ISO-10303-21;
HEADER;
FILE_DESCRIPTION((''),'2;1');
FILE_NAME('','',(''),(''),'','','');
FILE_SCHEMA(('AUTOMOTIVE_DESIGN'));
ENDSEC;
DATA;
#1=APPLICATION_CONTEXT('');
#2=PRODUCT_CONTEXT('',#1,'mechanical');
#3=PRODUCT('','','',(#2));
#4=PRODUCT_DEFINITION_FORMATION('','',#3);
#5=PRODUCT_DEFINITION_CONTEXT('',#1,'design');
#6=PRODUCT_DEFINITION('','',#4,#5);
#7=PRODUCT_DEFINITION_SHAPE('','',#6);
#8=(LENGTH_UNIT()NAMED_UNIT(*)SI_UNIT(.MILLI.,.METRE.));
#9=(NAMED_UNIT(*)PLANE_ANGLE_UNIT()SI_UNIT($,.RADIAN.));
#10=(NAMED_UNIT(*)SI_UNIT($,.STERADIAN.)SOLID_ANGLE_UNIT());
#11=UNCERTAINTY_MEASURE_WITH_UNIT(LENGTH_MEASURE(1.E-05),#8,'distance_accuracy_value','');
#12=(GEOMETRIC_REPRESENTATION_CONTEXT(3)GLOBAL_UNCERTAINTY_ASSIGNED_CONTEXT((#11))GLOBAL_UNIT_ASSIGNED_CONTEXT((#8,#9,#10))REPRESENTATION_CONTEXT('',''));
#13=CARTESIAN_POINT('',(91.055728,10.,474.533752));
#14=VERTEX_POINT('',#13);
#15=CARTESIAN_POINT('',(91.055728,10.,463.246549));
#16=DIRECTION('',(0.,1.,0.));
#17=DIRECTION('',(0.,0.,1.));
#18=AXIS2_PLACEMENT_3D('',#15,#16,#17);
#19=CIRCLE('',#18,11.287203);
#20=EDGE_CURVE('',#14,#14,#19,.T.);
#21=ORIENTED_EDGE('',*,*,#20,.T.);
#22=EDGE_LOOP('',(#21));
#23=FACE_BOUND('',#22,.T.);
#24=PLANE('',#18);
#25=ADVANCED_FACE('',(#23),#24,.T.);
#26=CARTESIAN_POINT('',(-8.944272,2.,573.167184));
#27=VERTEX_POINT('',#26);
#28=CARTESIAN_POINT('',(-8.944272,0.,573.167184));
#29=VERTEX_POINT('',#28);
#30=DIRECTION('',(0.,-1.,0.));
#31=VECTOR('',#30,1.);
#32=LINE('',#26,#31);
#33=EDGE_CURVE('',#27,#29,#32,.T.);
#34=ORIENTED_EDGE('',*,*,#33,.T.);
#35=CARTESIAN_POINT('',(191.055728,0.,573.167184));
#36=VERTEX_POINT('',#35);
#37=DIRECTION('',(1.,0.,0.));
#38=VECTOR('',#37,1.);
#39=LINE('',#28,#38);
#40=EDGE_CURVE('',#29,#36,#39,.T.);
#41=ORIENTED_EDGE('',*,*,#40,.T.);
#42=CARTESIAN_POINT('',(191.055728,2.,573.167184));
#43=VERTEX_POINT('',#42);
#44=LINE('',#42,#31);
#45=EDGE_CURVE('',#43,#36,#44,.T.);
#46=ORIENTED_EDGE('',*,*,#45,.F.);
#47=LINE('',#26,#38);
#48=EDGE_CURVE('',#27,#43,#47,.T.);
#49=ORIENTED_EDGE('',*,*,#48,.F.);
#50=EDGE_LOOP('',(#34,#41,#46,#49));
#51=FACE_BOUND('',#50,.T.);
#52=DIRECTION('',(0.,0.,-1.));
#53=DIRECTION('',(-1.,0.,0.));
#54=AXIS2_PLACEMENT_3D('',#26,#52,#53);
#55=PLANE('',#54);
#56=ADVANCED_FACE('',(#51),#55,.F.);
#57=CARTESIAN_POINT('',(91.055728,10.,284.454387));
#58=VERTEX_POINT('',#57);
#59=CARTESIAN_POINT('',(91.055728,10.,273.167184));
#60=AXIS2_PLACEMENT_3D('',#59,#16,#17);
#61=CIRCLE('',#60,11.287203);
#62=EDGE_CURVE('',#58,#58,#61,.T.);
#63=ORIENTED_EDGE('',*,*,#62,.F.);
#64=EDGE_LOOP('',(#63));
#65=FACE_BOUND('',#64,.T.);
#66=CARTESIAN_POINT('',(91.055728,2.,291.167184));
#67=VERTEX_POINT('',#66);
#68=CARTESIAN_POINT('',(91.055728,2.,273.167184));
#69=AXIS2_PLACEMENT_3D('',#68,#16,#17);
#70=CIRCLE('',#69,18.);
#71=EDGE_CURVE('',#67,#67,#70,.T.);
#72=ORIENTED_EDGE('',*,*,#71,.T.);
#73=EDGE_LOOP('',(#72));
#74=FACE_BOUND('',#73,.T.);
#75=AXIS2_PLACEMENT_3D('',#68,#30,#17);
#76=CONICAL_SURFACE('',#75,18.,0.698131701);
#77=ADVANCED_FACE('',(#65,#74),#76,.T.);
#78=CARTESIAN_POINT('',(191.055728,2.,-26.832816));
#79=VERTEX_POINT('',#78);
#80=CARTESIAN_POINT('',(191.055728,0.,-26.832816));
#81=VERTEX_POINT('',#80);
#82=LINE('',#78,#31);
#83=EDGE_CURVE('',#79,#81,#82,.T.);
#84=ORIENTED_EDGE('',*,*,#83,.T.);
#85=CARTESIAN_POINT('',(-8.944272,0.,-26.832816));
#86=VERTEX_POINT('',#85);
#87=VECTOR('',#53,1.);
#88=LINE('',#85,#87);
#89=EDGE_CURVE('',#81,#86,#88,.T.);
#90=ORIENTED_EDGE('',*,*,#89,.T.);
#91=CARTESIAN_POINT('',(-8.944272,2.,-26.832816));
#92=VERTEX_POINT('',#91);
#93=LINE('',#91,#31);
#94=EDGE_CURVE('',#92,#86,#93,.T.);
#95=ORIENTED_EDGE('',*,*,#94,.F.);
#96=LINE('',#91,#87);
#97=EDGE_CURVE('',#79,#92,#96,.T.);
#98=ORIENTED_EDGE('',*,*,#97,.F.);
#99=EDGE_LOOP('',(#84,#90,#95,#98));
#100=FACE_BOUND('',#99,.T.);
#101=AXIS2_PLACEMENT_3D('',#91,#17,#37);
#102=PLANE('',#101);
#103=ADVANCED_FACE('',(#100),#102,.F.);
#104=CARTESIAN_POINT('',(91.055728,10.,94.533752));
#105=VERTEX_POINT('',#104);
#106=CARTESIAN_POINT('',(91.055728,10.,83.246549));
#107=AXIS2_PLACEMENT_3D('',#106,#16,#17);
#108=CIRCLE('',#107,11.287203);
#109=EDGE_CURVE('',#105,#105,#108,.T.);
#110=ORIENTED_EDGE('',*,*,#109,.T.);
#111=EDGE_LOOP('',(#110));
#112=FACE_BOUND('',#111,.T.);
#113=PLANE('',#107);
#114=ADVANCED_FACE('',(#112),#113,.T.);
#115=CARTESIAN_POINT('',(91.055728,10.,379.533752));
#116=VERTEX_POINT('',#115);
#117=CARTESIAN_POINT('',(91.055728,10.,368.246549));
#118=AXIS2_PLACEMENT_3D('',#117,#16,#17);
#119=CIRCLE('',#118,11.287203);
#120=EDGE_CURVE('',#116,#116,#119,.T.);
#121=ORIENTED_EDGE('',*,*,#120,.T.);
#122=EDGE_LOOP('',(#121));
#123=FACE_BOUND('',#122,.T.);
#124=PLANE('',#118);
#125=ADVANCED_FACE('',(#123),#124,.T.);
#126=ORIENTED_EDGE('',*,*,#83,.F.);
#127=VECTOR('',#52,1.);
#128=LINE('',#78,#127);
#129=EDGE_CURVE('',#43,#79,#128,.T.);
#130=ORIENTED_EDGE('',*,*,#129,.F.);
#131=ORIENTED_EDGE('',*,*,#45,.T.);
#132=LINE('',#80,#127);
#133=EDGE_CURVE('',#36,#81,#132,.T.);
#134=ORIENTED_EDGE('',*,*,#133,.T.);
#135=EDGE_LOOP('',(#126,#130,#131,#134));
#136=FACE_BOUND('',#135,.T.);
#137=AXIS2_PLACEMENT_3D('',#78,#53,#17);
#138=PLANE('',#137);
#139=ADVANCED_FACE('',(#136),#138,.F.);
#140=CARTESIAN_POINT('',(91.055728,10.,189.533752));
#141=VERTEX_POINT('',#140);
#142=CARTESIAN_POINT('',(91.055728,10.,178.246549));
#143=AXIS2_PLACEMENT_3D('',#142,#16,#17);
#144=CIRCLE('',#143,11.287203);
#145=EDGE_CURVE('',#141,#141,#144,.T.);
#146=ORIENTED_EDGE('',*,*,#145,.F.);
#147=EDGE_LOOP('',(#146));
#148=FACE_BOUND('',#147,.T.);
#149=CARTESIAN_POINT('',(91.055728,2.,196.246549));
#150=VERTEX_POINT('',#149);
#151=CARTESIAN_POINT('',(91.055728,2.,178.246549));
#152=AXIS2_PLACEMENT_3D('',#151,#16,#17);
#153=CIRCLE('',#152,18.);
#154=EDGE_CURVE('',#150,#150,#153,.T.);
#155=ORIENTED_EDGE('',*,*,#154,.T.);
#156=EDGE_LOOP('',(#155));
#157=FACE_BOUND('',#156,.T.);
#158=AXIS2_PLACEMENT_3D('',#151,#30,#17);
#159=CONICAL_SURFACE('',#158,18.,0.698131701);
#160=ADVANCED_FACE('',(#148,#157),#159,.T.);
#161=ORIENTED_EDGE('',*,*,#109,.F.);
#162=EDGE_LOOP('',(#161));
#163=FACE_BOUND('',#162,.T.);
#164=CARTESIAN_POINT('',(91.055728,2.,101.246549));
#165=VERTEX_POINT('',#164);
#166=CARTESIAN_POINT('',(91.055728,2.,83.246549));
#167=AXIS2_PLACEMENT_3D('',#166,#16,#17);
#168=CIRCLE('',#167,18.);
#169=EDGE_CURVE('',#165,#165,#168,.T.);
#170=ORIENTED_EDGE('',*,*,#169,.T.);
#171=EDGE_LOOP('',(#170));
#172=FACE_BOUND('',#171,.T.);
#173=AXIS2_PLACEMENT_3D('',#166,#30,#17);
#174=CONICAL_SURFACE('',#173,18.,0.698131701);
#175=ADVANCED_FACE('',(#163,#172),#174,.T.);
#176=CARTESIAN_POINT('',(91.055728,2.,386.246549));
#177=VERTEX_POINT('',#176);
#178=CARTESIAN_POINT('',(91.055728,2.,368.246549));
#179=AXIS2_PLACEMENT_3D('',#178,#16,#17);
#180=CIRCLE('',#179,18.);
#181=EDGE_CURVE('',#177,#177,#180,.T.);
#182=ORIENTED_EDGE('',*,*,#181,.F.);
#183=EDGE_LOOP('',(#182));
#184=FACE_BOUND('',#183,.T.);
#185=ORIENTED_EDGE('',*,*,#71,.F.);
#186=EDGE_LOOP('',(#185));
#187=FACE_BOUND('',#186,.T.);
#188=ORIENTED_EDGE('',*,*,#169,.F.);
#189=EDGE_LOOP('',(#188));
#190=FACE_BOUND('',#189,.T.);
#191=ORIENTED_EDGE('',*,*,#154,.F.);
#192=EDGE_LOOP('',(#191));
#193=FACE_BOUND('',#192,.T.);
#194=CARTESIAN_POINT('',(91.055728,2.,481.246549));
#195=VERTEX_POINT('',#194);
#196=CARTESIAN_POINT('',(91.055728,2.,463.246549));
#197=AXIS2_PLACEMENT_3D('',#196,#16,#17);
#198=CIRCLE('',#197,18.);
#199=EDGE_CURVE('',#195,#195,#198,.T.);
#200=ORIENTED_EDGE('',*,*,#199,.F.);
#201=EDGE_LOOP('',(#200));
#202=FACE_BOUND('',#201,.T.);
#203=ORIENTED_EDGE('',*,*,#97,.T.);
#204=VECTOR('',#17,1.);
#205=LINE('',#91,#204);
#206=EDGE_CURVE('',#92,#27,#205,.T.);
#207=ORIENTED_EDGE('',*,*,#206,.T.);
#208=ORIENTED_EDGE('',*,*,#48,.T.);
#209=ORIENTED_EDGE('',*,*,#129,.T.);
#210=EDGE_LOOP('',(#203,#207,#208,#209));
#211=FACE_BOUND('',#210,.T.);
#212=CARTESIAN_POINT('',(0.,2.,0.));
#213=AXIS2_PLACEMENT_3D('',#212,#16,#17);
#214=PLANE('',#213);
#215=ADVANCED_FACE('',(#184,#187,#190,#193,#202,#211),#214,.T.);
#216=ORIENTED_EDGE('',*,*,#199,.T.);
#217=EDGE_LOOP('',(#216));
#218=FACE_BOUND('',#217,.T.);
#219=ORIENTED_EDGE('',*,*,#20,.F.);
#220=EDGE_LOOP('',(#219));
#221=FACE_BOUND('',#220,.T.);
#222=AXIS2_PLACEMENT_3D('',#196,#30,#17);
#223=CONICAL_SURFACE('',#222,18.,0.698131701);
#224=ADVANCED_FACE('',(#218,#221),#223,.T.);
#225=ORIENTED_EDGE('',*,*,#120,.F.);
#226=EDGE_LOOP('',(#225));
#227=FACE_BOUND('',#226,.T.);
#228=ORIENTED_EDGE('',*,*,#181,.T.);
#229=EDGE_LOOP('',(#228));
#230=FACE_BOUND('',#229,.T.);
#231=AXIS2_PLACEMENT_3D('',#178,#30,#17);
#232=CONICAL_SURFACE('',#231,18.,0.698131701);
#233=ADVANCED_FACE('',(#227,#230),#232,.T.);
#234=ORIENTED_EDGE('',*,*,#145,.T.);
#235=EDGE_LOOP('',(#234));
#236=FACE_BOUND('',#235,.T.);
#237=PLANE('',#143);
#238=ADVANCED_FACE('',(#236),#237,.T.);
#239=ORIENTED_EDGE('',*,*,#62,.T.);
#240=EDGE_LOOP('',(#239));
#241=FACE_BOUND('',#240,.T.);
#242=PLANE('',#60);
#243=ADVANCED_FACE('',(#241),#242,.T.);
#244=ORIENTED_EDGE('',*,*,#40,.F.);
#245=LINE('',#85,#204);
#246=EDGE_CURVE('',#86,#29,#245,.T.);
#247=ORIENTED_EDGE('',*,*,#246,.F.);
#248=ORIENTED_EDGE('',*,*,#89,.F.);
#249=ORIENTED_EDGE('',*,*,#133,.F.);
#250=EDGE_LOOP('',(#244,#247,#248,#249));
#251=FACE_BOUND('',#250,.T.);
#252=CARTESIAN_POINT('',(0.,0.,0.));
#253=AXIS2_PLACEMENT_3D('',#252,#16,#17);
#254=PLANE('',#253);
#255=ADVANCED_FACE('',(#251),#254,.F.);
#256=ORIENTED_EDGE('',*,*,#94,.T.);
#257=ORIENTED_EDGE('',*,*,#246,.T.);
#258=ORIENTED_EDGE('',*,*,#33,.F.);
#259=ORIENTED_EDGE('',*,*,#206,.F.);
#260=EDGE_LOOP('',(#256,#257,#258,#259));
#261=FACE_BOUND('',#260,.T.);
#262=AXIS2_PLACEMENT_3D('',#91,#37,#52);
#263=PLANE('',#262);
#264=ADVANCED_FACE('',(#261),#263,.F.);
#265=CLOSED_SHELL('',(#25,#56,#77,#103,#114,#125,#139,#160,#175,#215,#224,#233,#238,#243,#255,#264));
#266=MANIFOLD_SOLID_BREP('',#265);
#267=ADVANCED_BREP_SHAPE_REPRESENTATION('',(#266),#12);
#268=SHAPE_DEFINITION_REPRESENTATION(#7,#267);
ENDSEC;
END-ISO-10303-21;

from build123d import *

# Parameters (mm, degrees)
SKETCH1_W           = 200
SKETCH1_H           = 600
BOSS_EXTRUDE1_DEPTH = 2
SKETCH3_R           = 18
BOSS_EXTRUDE2_DEPTH = 8
BOSS_EXTRUDE2_TAPER = 40


with BuildPart() as part:
    # Sketch1 → Boss-Extrude1 (new body)
    with BuildSketch(Plane(origin=(0, 0, 0), x_dir=(1, 0, 0), z_dir=(0, 1, 0))):
        with Locations((91.05572809, -273.16718427)):
            Rectangle(SKETCH1_W, SKETCH1_H)
    extrude(amount=BOSS_EXTRUDE1_DEPTH)

    # Sketch3 → Boss-Extrude2 (add)
    with BuildSketch(Plane(origin=(0, 2, 0), x_dir=(1, 0, 0), z_dir=(0, 1, 0))):
        with Locations((91.05572809, -83.246549225)):
            Circle(SKETCH3_R)
        with Locations((91.05572809, -178.246549225)):
            Circle(SKETCH3_R)
        with Locations((91.05572809, -273.16718427)):
            Circle(SKETCH3_R)
        with Locations((91.05572809, -368.246549225)):
            Circle(SKETCH3_R)
        with Locations((91.05572809, -463.246549225)):
            Circle(SKETCH3_R)
    extrude(amount=BOSS_EXTRUDE2_DEPTH, taper=BOSS_EXTRUDE2_TAPER)


solid = part.part
